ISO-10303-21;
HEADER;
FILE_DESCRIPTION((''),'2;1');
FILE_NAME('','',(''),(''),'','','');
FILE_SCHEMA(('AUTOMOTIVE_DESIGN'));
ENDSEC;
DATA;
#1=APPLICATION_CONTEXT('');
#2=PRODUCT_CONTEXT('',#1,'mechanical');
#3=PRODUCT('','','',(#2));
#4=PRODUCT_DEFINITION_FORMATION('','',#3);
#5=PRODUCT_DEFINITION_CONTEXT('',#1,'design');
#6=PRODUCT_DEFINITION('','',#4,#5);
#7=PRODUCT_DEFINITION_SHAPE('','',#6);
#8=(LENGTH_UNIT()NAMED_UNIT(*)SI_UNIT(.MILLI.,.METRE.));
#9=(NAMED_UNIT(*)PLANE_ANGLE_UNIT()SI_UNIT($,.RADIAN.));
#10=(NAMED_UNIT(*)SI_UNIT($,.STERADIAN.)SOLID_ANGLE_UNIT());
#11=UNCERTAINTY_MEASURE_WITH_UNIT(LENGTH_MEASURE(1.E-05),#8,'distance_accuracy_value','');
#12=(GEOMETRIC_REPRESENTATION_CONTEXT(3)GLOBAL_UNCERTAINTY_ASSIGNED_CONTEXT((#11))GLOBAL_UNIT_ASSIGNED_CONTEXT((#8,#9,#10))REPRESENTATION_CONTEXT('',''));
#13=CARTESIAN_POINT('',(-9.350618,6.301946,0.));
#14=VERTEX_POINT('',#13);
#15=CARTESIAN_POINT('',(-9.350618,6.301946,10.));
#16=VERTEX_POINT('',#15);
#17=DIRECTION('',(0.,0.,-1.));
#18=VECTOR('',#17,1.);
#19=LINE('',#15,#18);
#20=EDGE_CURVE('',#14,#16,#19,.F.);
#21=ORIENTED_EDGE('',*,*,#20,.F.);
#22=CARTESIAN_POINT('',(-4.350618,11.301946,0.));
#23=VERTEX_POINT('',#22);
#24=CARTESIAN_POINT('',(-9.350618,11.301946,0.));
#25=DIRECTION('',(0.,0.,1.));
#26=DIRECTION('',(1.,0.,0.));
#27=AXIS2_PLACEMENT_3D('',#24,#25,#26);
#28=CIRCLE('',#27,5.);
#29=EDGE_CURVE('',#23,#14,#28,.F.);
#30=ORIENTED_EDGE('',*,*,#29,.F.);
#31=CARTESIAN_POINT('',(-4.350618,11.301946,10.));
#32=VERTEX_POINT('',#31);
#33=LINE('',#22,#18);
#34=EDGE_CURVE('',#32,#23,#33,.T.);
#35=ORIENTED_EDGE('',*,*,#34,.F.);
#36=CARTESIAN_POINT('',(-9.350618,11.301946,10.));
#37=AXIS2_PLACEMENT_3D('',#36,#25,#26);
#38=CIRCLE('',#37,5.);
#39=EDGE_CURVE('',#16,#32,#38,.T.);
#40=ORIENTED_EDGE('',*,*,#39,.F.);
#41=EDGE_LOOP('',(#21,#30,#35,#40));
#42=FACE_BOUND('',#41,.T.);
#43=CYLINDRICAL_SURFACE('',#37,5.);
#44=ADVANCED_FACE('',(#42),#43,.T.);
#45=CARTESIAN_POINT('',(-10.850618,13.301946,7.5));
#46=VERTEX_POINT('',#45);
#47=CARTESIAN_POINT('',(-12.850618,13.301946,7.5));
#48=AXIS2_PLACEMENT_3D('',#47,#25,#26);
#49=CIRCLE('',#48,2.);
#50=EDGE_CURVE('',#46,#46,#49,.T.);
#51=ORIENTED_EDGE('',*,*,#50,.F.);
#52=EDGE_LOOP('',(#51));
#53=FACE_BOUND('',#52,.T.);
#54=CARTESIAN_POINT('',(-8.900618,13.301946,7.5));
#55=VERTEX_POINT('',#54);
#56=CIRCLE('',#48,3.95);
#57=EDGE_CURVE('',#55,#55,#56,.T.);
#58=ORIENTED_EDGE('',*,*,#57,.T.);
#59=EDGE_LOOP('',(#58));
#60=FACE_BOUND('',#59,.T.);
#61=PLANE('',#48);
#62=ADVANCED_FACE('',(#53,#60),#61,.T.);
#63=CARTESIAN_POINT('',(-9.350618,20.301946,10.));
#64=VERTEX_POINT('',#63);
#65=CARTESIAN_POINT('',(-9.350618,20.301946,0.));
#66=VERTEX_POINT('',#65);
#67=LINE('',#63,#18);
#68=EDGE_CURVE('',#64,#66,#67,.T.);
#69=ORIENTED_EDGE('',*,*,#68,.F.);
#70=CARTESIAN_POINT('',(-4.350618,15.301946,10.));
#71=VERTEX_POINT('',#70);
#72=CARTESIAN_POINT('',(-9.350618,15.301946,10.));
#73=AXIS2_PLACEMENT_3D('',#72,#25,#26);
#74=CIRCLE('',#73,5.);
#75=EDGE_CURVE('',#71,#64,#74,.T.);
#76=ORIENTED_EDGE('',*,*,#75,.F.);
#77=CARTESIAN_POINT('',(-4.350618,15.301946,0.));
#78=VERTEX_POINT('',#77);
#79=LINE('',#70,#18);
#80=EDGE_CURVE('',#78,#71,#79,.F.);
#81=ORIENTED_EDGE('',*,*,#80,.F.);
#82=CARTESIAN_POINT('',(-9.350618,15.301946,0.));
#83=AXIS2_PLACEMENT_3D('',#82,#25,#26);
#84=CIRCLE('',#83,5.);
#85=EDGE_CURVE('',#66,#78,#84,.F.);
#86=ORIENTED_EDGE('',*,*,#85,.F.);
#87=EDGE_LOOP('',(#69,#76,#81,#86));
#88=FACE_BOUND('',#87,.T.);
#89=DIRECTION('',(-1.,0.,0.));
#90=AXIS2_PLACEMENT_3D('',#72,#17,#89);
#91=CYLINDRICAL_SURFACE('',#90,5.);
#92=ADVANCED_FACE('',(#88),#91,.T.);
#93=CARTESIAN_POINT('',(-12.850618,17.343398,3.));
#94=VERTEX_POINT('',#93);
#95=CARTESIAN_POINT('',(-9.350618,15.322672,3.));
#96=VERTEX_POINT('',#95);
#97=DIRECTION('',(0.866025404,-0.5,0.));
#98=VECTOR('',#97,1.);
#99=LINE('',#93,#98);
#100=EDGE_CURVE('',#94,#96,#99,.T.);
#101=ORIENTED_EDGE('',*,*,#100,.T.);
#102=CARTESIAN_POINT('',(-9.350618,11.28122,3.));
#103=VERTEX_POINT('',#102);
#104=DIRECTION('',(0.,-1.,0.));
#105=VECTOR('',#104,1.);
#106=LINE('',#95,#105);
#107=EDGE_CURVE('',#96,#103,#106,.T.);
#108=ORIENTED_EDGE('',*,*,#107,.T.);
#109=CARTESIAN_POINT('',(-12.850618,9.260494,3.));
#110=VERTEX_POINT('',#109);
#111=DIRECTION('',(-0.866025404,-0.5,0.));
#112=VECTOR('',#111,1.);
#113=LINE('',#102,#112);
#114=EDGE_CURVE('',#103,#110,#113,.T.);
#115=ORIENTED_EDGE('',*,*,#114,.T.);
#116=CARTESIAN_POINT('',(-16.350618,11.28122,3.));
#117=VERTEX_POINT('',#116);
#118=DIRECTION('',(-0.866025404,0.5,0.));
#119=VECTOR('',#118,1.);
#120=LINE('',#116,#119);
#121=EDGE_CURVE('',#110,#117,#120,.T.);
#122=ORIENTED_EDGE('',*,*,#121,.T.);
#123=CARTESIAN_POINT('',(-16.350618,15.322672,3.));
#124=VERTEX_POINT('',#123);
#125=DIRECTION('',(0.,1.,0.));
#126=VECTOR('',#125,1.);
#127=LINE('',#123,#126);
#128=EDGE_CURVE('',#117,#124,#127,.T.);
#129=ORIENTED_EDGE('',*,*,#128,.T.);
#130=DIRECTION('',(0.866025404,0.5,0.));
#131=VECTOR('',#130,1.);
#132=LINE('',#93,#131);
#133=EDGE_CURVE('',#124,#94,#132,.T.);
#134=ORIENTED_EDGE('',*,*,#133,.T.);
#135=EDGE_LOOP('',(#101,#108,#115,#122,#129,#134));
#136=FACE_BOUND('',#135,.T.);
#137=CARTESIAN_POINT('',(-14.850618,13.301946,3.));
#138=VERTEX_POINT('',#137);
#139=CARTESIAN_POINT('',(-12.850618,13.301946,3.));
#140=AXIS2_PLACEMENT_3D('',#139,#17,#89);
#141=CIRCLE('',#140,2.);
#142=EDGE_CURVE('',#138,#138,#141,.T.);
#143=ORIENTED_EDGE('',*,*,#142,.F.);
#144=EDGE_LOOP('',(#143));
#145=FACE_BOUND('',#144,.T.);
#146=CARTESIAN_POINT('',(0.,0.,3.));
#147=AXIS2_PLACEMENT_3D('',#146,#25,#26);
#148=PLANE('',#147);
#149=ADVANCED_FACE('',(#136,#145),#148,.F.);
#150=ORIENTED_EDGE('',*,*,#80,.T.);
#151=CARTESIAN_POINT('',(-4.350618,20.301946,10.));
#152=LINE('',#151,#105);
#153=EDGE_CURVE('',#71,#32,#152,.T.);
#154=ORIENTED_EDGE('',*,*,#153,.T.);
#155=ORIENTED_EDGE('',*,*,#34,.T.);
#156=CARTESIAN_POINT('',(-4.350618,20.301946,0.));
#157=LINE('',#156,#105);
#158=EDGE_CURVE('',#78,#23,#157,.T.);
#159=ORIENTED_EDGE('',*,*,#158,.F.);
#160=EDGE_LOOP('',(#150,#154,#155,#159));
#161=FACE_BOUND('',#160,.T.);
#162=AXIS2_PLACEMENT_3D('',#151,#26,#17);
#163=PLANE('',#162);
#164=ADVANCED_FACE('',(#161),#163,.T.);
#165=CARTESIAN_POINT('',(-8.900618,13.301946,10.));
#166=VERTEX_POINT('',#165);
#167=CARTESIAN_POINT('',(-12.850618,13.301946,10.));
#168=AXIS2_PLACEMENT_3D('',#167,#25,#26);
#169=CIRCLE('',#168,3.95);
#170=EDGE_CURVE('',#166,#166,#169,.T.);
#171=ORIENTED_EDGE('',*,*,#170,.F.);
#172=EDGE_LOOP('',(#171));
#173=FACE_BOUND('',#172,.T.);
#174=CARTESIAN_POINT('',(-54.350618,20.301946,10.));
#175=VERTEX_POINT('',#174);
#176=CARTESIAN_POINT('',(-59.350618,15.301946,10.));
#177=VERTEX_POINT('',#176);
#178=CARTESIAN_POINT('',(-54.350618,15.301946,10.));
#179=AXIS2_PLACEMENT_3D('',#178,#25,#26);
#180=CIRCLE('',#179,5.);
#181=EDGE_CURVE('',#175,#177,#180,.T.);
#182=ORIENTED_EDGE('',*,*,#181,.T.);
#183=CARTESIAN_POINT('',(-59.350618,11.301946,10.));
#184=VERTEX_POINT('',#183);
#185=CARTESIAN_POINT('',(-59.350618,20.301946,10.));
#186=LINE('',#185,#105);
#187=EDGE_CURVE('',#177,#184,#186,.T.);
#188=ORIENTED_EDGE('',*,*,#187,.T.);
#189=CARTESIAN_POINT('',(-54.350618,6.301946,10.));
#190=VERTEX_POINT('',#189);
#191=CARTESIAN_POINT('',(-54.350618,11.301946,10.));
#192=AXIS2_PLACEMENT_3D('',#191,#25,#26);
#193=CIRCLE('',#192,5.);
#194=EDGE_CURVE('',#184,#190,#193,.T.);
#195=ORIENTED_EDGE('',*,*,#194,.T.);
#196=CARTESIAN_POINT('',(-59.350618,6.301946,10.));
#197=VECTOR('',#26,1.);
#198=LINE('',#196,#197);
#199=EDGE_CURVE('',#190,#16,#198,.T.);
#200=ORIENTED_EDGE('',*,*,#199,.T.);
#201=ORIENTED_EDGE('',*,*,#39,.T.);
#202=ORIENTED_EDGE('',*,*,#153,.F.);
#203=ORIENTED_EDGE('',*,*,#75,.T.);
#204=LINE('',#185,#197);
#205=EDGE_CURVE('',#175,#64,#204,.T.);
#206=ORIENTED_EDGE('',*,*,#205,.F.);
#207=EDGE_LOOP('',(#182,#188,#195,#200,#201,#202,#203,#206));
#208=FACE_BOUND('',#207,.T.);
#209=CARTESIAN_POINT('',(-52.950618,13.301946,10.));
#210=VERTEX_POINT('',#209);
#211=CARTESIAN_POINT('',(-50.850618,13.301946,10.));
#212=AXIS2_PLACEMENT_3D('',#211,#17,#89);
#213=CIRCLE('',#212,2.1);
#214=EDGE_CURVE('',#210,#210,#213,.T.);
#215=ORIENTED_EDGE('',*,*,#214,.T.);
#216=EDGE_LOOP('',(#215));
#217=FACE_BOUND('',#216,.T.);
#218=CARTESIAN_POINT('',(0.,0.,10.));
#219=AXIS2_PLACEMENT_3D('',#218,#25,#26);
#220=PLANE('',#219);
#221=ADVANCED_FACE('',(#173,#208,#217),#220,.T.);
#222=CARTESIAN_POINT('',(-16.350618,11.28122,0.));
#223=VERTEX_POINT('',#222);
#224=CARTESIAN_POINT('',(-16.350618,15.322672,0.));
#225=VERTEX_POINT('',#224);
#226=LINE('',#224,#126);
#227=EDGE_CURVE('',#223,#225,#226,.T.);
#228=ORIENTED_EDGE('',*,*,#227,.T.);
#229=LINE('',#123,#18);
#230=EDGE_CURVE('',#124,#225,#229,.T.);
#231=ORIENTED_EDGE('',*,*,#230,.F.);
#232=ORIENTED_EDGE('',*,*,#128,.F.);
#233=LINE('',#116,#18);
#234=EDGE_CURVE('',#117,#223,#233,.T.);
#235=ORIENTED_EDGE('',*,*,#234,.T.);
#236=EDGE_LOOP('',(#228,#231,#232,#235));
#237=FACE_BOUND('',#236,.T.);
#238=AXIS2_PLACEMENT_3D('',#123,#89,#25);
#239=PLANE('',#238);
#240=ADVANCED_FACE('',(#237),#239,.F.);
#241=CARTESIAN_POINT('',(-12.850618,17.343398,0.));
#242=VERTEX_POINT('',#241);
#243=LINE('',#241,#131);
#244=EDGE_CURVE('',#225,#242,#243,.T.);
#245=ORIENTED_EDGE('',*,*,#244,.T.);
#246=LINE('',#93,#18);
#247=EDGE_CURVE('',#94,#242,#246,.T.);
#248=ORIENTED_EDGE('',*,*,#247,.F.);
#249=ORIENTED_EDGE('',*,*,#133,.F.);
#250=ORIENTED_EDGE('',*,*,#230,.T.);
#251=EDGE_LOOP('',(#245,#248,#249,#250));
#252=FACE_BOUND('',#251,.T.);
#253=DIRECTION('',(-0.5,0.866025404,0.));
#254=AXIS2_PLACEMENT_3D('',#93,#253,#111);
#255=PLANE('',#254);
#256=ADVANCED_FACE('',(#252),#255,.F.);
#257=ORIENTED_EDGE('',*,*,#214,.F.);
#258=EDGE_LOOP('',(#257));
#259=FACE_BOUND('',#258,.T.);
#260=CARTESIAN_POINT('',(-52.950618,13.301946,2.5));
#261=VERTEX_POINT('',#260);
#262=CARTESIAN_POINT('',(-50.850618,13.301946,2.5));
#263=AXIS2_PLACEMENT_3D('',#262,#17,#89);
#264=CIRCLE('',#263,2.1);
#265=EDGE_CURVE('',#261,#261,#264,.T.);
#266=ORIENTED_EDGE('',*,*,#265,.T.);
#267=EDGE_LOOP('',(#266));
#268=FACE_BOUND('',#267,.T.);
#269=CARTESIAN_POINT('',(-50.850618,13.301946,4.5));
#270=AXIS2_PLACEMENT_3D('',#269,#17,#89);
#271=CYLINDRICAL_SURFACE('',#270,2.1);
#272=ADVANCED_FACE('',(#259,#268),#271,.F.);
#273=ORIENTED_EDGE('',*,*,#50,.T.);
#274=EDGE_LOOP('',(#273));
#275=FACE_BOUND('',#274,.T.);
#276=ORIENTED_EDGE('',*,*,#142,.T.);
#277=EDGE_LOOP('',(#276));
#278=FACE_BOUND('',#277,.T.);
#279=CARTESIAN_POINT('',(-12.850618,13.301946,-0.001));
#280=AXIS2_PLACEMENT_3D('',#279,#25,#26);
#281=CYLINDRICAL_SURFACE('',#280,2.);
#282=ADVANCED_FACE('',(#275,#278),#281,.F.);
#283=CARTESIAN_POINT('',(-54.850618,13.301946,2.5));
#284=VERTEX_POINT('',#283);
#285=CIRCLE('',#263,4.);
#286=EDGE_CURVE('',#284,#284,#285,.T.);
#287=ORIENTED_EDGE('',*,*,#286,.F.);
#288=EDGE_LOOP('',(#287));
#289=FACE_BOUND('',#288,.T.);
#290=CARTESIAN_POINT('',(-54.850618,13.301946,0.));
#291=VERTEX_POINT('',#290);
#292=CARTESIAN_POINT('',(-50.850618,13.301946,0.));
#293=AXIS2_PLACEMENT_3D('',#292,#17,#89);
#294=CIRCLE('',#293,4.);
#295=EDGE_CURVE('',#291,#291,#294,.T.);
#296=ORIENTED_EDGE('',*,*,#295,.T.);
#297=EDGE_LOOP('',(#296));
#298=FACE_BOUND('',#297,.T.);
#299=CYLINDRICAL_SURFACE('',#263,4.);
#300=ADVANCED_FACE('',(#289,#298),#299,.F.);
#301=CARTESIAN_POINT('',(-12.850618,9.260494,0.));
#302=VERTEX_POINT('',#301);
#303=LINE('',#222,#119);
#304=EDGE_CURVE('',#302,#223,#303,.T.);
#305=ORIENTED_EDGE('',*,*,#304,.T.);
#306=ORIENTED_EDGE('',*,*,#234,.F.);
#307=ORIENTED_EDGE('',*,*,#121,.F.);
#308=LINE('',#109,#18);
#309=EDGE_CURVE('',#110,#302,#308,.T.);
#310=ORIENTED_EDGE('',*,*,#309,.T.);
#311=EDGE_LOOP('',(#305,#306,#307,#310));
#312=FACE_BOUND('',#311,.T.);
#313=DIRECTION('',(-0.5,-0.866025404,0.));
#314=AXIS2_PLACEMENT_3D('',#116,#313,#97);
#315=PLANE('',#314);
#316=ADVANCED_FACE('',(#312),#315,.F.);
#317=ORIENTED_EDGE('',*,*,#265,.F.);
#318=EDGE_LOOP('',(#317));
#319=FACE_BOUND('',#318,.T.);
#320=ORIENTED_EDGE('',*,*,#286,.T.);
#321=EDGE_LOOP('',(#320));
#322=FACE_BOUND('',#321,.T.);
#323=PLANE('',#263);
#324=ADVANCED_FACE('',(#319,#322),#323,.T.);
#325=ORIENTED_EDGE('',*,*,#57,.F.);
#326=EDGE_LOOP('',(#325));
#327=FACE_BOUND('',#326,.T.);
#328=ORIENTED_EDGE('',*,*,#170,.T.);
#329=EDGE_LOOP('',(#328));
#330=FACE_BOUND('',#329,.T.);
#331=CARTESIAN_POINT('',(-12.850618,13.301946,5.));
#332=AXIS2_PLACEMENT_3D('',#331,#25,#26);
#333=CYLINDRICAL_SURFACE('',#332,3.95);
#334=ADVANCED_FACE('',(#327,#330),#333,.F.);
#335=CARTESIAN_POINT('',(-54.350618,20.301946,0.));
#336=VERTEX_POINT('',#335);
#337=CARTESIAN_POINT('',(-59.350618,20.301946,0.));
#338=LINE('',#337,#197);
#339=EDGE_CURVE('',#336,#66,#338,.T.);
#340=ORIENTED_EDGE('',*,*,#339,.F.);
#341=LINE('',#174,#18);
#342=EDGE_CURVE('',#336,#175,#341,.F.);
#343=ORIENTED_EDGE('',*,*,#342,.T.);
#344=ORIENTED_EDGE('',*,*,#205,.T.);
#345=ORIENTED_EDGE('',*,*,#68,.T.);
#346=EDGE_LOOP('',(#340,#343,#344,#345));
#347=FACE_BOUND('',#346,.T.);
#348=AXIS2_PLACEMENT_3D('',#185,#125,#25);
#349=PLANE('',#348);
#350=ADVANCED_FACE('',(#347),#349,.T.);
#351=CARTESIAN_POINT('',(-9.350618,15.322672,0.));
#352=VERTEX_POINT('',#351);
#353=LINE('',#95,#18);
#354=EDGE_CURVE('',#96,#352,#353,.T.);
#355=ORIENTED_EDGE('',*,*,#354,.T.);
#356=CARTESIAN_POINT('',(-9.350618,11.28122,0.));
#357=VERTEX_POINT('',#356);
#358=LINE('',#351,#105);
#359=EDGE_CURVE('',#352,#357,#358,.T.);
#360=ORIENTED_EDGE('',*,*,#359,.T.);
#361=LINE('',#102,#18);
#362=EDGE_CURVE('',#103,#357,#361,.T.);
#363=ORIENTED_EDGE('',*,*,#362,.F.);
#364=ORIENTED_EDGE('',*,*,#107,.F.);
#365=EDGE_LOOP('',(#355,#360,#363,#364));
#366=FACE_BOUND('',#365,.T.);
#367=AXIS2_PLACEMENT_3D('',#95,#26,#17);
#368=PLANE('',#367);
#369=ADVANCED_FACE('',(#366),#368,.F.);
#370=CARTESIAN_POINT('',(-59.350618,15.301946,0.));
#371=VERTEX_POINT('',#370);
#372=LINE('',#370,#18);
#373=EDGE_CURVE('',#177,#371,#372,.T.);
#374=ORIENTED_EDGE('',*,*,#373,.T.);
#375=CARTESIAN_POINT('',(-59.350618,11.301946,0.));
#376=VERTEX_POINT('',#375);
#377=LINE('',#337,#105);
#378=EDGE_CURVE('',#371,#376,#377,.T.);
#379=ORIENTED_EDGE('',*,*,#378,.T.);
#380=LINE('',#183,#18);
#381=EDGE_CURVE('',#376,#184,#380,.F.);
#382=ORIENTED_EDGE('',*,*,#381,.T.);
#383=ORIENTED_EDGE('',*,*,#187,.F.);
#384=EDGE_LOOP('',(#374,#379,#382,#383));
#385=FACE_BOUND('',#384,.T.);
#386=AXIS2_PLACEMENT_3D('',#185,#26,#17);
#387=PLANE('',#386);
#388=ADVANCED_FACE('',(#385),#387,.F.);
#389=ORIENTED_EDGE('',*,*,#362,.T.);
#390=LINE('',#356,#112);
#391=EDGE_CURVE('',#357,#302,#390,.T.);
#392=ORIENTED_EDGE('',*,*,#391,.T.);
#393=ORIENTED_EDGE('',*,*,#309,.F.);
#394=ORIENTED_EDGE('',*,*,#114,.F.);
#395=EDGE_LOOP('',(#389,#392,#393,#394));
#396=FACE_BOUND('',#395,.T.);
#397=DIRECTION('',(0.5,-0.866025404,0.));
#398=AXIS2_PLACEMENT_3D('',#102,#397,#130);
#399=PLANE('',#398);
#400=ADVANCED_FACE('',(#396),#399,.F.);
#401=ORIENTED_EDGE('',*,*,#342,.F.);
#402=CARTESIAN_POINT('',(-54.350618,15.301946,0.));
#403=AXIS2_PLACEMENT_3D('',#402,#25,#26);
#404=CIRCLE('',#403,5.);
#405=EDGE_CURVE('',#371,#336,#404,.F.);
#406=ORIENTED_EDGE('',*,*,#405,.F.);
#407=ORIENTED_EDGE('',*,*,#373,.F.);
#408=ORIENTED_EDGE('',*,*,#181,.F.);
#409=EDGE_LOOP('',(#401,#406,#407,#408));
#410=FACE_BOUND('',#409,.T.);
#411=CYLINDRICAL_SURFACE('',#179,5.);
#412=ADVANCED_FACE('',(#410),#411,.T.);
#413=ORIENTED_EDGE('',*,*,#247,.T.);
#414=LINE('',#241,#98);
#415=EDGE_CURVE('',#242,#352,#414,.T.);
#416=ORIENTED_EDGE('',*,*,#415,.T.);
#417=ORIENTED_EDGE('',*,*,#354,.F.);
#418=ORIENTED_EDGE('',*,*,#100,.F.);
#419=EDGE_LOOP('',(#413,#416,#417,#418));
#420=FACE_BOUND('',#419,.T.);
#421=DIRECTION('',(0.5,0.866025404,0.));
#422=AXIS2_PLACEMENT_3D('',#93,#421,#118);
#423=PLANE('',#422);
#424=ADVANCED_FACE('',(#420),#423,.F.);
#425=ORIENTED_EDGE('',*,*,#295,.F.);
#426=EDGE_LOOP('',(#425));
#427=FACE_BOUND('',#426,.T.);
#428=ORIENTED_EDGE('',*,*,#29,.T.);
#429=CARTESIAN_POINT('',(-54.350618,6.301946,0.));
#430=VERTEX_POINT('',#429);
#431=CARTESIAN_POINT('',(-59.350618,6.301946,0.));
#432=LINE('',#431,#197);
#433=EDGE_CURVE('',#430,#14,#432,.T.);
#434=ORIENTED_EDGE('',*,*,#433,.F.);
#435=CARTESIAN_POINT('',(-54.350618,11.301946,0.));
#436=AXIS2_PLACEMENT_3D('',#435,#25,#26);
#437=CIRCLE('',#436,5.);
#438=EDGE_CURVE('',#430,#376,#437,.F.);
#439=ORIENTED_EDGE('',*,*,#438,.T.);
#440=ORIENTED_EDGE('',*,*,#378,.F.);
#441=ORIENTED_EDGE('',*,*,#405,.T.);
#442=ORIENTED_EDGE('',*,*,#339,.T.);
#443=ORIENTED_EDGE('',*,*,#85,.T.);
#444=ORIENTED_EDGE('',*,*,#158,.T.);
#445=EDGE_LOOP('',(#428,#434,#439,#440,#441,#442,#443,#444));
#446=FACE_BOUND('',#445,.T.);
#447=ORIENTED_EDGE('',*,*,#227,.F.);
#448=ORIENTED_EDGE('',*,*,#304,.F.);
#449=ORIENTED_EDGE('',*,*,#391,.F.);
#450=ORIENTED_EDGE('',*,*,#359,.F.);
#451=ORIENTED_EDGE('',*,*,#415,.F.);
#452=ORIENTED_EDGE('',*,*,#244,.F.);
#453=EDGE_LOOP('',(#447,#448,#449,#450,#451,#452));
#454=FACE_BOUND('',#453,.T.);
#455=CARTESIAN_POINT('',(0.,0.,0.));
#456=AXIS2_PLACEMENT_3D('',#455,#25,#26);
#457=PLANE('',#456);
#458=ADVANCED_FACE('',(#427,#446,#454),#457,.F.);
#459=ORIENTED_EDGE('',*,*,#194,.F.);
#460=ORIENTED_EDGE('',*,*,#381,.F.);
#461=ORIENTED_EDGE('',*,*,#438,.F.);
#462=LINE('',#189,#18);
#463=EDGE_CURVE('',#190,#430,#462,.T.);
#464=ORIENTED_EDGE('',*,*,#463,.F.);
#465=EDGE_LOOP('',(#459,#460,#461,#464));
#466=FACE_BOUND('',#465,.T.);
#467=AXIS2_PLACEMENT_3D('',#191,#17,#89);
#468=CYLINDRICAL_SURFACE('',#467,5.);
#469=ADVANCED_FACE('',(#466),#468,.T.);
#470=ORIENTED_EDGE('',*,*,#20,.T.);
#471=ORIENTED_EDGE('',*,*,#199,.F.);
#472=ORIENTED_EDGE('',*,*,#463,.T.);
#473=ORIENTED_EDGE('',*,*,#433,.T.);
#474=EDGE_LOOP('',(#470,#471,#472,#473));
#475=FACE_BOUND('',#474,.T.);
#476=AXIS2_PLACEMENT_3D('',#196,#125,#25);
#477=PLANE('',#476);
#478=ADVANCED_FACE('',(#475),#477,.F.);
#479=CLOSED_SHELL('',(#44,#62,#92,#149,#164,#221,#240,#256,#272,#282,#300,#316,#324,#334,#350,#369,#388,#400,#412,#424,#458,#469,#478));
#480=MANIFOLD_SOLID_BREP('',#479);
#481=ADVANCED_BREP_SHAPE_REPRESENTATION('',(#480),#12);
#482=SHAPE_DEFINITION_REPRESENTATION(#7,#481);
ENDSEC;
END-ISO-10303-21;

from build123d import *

# Parameters (mm, degrees)
SKETCH1_W           = 55
SKETCH1_H           = 14
BOSS_EXTRUDE1_DEPTH = 10
FILLET1_R           = 5
FILLET2_R           = 5
SKETCH2_R           = 4
CUT_EXTRUDE2_DEPTH  = 2.5
SKETCH3_R           = 2.1
CUT_EXTRUDE3_DEPTH  = 2
SKETCH4_R           = 3.95
CUT_EXTRUDE4_DEPTH  = 5
CUT_EXTRUDE5_REACH  = 64.926
SKETCH5_R           = 2
SKETCH7_R           = 2.1
CUT_EXTRUDE6_DEPTH  = 63.967570185
BOSS_EXTRUDE2_START = 2.5
SKETCH9_R           = 3.95
SKETCH9_R_2         = 2
BOSS_EXTRUDE2_DEPTH = 2.5
CUT_EXTRUDE7_START  = -3
SKETCH10_R          = 2
CUT_EXTRUDE7_DEPTH  = 3


with BuildPart() as part:
    # Sketch1 → Boss-Extrude1 (new body)
    with BuildSketch(Plane.XY):
        with Locations((-31.850618243, 13.301945946)):
            Rectangle(SKETCH1_W, SKETCH1_H)
    extrude(amount=BOSS_EXTRUDE1_DEPTH)

    # Fillet1
    fillet1_edges = [part.edges().sort_by_distance(p)[0] for p in [
        (-59.350618243, 20.301945946, 5),
    ]]
    fillet(fillet1_edges, radius=FILLET1_R)

    # Fillet2
    fillet2_edges = [part.edges().sort_by_distance(p)[0] for p in [
        (-4.350618243, 20.301945946, 5),
        (-4.350618243, 6.301945946, 5),
        (-59.350618243, 6.301945946, 5),
    ]]
    fillet(fillet2_edges, radius=FILLET2_R)

    # Sketch2 → Cut-Extrude2 (cut)
    with BuildSketch(Plane(origin=(0, 0, 0), x_dir=(-1, 0, 0), z_dir=(0, 0, -1))):
        with Locations((50.850618243, 13.301945946)):
            Circle(SKETCH2_R)
    extrude(amount=-CUT_EXTRUDE2_DEPTH, mode=Mode.SUBTRACT)

    # Sketch3 → Cut-Extrude3 (cut)
    with BuildSketch(Plane(origin=(0, 0, 2.5), x_dir=(-1, 0, 0), z_dir=(0, 0, -1))):
        with Locations((50.850618243, 13.301945946)):
            Circle(SKETCH3_R)
    extrude(amount=-CUT_EXTRUDE3_DEPTH, mode=Mode.SUBTRACT)

    # Sketch4 → Cut-Extrude4 (cut)
    with BuildSketch(Plane.XY.offset(10)):
        with Locations((-12.850618243, 13.301945946)):
            Circle(SKETCH4_R)
    extrude(amount=-CUT_EXTRUDE4_DEPTH, mode=Mode.SUBTRACT)

    # Sketch5 → Cut-Extrude5 (cut, up to next)
    with BuildSketch(Plane.XY.offset(5), mode=Mode.PRIVATE) as cut_extrude5_sk1:
        with Locations((-12.850618243, 13.301945946)):
            Circle(SKETCH5_R)
    cut_extrude5_tool1 = extrude(cut_extrude5_sk1.sketch, amount=-CUT_EXTRUDE5_REACH, mode=Mode.PRIVATE) & part.part
    add(cut_extrude5_tool1.solids().sort_by_distance((-12.850618, 13.301946, 5))[0], mode=Mode.SUBTRACT)

    # Sketch7 → Cut-Extrude6 (cut, through all)
    with BuildSketch(Plane(origin=(0, 0, 4.5), x_dir=(-1, 0, 0), z_dir=(0, 0, -1))):
        with Locations((50.850618243, 13.301945946)):
            Circle(SKETCH7_R)
    extrude(amount=-CUT_EXTRUDE6_DEPTH, mode=Mode.SUBTRACT)

    # Sketch9 → Boss-Extrude2 (add)
    with BuildSketch(Plane.XY.offset(5).offset(BOSS_EXTRUDE2_START)):
        with Locations((-12.850618243, 13.301945946)):
            Circle(SKETCH9_R)
        with Locations((-12.850618243, 13.301945946)):
            Circle(SKETCH9_R_2, mode=Mode.SUBTRACT)
    extrude(amount=-BOSS_EXTRUDE2_DEPTH)

    # Sketch10 → Cut-Extrude7 (cut)
    with BuildSketch(Plane(origin=(0, 0, 0), x_dir=(-1, 0, 0), z_dir=(0, 0, -1)).offset(CUT_EXTRUDE7_START)):
        Polygon((12.850618243, 17.34339783), (9.350618243, 15.322671888), (9.350618243, 11.281220004), (12.850618243, 9.260494062), (16.350618243, 11.281220004), (16.350618243, 15.322671888), align=None)
        with Locations(Location((12.850618243, 13.301945946, 0), (0, 0, 180))):
            Circle(SKETCH10_R, mode=Mode.SUBTRACT)
    extrude(amount=CUT_EXTRUDE7_DEPTH, mode=Mode.SUBTRACT)


solid = part.part
